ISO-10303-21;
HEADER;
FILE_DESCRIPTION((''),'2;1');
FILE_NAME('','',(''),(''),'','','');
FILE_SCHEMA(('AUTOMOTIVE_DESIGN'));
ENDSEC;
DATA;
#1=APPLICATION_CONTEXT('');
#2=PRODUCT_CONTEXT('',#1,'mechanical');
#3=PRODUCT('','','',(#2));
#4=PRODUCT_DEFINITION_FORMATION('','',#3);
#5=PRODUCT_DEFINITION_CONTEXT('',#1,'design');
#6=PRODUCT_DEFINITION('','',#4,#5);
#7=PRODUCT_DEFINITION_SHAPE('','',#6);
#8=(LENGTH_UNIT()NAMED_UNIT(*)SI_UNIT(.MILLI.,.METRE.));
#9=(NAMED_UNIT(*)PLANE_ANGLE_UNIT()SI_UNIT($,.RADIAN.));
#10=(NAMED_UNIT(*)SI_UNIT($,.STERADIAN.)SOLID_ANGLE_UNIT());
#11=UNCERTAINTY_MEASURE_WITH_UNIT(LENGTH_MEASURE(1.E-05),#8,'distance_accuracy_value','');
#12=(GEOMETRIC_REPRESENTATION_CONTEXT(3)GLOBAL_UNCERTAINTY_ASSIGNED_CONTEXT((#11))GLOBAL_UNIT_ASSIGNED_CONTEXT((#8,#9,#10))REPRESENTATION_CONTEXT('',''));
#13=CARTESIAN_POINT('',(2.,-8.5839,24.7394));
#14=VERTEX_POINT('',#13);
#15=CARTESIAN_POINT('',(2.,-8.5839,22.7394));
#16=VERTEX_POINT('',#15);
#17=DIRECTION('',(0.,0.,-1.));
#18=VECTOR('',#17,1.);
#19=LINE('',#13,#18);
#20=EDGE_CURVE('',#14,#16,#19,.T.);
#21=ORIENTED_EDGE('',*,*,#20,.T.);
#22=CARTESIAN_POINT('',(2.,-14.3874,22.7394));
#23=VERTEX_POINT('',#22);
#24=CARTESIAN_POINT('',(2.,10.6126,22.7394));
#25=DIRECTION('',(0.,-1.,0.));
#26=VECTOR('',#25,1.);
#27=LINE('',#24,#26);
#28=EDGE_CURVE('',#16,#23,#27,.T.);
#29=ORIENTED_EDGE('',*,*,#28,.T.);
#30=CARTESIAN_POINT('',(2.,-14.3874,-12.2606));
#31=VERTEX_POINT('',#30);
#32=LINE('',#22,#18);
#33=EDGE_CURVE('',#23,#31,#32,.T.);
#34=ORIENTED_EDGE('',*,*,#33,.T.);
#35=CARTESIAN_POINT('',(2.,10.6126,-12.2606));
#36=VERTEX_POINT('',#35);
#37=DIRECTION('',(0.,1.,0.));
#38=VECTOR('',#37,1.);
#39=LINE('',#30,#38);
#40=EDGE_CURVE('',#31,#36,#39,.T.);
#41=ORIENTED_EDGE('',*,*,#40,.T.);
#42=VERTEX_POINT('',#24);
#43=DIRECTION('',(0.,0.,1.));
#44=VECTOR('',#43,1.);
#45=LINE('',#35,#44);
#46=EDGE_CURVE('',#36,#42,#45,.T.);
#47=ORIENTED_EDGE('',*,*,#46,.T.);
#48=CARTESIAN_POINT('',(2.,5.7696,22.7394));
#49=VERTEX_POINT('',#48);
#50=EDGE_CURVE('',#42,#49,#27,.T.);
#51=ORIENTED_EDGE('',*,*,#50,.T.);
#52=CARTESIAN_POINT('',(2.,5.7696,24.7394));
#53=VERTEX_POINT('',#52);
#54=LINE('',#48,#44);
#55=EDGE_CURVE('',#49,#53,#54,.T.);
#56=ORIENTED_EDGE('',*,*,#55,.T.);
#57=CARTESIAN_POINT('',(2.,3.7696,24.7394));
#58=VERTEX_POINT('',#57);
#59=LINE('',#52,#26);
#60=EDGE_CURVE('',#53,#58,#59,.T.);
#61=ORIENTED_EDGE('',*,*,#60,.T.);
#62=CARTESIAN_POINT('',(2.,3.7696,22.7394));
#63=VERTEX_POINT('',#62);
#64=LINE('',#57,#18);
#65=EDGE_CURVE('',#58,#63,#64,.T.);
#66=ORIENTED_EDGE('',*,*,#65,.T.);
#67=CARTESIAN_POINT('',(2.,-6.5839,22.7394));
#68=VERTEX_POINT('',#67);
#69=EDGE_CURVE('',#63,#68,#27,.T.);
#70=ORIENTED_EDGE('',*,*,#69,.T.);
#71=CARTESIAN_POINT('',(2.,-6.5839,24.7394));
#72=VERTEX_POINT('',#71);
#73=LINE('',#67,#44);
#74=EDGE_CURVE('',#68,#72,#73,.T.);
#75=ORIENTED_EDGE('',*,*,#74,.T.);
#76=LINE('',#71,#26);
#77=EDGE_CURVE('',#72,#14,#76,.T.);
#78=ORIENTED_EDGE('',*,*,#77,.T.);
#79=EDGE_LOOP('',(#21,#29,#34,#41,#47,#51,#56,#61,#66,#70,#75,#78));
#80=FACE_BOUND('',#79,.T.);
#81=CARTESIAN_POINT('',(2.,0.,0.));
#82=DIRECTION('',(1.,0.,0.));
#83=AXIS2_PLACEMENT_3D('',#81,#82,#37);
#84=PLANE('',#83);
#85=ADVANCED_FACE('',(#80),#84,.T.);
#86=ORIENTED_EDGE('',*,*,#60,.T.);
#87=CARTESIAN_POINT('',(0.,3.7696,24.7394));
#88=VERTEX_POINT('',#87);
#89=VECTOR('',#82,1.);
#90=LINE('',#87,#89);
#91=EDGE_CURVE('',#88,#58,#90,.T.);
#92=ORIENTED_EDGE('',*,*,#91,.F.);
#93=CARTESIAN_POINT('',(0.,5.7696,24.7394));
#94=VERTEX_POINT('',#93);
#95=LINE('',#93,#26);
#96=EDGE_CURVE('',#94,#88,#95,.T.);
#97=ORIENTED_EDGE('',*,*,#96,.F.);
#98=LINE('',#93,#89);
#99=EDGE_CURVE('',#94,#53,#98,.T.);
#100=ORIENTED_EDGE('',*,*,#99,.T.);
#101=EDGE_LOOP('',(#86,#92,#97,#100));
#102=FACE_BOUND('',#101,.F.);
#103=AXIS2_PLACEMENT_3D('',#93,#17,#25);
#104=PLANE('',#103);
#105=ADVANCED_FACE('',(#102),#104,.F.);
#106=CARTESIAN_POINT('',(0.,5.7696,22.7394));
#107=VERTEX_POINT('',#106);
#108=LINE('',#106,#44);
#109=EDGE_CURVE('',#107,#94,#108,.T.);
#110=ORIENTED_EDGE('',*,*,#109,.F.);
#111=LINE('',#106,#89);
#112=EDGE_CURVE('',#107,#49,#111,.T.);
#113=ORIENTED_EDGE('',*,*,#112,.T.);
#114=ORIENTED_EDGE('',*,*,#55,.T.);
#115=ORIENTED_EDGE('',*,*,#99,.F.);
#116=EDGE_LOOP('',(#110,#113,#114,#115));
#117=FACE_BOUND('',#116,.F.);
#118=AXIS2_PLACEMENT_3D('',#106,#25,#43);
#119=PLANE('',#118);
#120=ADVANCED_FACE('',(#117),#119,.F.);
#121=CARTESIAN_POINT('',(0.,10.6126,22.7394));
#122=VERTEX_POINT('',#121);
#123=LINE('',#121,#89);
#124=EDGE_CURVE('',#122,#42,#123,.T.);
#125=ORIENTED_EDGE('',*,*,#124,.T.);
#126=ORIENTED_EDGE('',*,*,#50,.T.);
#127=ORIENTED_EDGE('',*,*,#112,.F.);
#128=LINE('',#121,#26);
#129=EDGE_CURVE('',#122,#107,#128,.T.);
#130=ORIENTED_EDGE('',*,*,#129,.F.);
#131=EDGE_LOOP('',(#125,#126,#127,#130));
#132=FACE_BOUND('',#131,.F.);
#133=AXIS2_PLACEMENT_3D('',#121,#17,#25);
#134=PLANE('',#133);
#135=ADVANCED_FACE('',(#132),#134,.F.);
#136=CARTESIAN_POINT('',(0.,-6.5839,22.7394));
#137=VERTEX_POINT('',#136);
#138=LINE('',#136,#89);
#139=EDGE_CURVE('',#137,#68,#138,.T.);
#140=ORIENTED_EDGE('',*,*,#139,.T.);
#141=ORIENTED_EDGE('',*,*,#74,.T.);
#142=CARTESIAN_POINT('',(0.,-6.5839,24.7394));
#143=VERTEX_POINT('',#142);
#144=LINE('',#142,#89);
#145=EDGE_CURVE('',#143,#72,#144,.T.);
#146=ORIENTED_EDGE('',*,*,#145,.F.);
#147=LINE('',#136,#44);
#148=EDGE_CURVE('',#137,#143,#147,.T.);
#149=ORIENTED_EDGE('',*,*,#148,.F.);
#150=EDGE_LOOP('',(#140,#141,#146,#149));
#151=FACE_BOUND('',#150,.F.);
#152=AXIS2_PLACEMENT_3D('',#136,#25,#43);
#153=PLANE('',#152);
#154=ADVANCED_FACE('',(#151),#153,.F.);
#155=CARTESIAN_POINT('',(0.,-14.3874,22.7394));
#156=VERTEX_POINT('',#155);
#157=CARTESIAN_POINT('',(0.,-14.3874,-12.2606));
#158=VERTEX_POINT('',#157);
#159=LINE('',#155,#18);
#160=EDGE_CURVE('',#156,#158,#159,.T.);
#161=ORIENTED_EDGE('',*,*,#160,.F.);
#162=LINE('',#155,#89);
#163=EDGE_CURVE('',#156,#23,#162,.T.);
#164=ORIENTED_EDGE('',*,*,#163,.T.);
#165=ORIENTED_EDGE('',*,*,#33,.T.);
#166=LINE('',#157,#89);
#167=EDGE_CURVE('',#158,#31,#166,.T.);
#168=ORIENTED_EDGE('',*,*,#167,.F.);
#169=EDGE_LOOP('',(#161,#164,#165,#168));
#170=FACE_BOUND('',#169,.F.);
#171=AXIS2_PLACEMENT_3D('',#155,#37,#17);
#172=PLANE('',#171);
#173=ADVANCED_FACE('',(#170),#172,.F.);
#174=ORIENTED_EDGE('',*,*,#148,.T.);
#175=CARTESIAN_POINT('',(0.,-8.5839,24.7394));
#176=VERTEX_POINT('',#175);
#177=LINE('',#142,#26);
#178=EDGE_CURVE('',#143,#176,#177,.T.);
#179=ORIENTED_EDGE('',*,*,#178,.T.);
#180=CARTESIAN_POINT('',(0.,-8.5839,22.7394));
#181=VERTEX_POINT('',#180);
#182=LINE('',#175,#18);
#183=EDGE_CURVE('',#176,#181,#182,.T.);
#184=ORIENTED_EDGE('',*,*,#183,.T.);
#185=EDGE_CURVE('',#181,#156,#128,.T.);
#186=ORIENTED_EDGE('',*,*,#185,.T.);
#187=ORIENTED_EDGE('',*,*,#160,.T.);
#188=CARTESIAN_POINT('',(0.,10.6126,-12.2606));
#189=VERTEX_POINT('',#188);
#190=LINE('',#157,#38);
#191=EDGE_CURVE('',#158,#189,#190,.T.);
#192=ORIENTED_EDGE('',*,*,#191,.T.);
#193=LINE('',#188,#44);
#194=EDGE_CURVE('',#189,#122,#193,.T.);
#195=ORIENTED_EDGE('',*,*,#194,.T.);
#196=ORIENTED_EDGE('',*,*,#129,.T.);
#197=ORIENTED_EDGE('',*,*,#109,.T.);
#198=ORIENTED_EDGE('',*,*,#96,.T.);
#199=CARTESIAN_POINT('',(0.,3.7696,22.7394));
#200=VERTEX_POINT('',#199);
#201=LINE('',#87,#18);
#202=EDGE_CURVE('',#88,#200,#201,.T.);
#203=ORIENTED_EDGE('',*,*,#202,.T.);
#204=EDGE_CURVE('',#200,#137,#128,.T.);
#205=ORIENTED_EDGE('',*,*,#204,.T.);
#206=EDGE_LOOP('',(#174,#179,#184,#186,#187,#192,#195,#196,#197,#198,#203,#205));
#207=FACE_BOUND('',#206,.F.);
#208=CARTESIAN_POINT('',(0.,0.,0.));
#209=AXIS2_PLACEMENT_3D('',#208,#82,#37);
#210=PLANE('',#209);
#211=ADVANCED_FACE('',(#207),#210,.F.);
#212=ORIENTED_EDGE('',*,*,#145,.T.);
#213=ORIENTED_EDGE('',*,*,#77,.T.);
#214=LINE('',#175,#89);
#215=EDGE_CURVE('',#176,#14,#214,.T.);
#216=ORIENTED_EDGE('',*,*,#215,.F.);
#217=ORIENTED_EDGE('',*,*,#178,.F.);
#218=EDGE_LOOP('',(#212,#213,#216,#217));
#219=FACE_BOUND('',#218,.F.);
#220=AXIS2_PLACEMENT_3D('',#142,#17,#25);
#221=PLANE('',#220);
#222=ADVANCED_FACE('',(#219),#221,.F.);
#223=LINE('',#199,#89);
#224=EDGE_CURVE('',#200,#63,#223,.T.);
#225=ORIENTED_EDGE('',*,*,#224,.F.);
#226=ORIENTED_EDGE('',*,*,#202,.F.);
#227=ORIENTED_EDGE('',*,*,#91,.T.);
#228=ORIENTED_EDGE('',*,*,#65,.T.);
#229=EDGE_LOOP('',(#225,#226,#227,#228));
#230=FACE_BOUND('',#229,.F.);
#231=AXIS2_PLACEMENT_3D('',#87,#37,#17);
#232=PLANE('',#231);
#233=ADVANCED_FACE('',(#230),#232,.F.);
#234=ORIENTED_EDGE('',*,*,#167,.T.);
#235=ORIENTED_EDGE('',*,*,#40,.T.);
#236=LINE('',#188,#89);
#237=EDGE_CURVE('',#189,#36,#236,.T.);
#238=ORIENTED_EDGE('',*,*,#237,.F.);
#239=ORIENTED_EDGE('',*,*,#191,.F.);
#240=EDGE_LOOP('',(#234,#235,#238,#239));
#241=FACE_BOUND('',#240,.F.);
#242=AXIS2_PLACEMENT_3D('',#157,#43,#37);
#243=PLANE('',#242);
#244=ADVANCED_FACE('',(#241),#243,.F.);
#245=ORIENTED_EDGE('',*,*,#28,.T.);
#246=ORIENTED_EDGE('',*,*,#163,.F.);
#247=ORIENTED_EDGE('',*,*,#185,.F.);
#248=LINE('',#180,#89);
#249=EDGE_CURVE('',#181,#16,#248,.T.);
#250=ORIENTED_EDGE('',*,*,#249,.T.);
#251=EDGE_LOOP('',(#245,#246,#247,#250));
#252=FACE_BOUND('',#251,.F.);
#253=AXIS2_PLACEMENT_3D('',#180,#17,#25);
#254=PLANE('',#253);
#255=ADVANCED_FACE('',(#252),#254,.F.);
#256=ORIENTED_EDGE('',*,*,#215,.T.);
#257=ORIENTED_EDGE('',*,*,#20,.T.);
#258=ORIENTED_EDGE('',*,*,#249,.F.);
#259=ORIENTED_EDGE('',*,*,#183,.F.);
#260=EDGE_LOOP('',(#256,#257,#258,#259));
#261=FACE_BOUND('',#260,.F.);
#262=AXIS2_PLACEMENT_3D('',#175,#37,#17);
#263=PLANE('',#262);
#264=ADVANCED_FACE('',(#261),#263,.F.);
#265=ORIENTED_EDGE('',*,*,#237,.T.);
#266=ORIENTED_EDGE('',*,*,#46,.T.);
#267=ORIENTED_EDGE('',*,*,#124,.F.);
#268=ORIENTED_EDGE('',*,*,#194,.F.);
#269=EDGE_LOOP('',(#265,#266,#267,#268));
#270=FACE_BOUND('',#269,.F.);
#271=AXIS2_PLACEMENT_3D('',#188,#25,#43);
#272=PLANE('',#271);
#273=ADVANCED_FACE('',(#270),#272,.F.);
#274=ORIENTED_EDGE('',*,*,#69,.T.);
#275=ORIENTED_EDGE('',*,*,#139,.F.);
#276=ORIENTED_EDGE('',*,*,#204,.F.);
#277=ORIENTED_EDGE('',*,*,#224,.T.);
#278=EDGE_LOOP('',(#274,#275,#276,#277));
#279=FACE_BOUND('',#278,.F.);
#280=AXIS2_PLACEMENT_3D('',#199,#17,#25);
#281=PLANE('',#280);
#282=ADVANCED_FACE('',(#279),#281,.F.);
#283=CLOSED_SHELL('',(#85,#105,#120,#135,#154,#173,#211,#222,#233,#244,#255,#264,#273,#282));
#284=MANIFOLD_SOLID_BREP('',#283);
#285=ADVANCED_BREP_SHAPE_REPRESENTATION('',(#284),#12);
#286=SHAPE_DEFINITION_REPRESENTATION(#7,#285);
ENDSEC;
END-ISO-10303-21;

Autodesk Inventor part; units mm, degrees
ref_plane "YZ Plane" through (0, 0, 0) normal (1, 0, 0) x (0, 1, 0)
ref_plane "XZ Plane" through (0, 0, 0) normal (0, 1, 0) x (-1, 0, 0)
ref_plane "XY Plane" through (0, 0, 0) normal (0, 0, 1) x (1, 0, 0)
sketch "Sketch1" plane through (0, 0, 0) normal (1, 0, 0) x (0, 1, 0)
  line L0 (10.6126, 22.7394) -> (-14.3874, 22.7394)
  line L1 (-14.3874, 22.7394) -> (-14.3874, -12.2606)
  line L2 (-14.3874, -12.2606) -> (10.6126, -12.2606)
  line L3 (10.6126, -12.2606) -> (10.6126, 22.7394)
  line L4 (5.7696, 24.7394) -> (3.7696, 24.7394)
  line L5 (3.7696, 24.7394) -> (3.7696, 22.7394)
  line L6 (3.7696, 22.7394) -> (5.7696, 22.7394)
  line L7 (5.7696, 22.7394) -> (5.7696, 24.7394)
  line L8 (-6.5839, 24.7394) -> (-8.5839, 24.7394)
  line L9 (-8.5839, 24.7394) -> (-8.5839, 22.7394)
  line L10 (-8.5839, 22.7394) -> (-6.5839, 22.7394)
  line L11 (-6.5839, 22.7394) -> (-6.5839, 24.7394)
  line L12 (3.7696, 22.7394) -> (-6.5839, 22.7394)
  point P0 (0, 0)
  dimension "d0" = 25
  dimension "d1" = 35
  dimension "d2" = 2
  dimension "d3" = 2
  dimension "d4" = 2
  dimension "d5" = 2
extrude "Extrusion1" add sketch "Sketch1" along normal blind 2
properties part number "sidestandforservoclamp"
